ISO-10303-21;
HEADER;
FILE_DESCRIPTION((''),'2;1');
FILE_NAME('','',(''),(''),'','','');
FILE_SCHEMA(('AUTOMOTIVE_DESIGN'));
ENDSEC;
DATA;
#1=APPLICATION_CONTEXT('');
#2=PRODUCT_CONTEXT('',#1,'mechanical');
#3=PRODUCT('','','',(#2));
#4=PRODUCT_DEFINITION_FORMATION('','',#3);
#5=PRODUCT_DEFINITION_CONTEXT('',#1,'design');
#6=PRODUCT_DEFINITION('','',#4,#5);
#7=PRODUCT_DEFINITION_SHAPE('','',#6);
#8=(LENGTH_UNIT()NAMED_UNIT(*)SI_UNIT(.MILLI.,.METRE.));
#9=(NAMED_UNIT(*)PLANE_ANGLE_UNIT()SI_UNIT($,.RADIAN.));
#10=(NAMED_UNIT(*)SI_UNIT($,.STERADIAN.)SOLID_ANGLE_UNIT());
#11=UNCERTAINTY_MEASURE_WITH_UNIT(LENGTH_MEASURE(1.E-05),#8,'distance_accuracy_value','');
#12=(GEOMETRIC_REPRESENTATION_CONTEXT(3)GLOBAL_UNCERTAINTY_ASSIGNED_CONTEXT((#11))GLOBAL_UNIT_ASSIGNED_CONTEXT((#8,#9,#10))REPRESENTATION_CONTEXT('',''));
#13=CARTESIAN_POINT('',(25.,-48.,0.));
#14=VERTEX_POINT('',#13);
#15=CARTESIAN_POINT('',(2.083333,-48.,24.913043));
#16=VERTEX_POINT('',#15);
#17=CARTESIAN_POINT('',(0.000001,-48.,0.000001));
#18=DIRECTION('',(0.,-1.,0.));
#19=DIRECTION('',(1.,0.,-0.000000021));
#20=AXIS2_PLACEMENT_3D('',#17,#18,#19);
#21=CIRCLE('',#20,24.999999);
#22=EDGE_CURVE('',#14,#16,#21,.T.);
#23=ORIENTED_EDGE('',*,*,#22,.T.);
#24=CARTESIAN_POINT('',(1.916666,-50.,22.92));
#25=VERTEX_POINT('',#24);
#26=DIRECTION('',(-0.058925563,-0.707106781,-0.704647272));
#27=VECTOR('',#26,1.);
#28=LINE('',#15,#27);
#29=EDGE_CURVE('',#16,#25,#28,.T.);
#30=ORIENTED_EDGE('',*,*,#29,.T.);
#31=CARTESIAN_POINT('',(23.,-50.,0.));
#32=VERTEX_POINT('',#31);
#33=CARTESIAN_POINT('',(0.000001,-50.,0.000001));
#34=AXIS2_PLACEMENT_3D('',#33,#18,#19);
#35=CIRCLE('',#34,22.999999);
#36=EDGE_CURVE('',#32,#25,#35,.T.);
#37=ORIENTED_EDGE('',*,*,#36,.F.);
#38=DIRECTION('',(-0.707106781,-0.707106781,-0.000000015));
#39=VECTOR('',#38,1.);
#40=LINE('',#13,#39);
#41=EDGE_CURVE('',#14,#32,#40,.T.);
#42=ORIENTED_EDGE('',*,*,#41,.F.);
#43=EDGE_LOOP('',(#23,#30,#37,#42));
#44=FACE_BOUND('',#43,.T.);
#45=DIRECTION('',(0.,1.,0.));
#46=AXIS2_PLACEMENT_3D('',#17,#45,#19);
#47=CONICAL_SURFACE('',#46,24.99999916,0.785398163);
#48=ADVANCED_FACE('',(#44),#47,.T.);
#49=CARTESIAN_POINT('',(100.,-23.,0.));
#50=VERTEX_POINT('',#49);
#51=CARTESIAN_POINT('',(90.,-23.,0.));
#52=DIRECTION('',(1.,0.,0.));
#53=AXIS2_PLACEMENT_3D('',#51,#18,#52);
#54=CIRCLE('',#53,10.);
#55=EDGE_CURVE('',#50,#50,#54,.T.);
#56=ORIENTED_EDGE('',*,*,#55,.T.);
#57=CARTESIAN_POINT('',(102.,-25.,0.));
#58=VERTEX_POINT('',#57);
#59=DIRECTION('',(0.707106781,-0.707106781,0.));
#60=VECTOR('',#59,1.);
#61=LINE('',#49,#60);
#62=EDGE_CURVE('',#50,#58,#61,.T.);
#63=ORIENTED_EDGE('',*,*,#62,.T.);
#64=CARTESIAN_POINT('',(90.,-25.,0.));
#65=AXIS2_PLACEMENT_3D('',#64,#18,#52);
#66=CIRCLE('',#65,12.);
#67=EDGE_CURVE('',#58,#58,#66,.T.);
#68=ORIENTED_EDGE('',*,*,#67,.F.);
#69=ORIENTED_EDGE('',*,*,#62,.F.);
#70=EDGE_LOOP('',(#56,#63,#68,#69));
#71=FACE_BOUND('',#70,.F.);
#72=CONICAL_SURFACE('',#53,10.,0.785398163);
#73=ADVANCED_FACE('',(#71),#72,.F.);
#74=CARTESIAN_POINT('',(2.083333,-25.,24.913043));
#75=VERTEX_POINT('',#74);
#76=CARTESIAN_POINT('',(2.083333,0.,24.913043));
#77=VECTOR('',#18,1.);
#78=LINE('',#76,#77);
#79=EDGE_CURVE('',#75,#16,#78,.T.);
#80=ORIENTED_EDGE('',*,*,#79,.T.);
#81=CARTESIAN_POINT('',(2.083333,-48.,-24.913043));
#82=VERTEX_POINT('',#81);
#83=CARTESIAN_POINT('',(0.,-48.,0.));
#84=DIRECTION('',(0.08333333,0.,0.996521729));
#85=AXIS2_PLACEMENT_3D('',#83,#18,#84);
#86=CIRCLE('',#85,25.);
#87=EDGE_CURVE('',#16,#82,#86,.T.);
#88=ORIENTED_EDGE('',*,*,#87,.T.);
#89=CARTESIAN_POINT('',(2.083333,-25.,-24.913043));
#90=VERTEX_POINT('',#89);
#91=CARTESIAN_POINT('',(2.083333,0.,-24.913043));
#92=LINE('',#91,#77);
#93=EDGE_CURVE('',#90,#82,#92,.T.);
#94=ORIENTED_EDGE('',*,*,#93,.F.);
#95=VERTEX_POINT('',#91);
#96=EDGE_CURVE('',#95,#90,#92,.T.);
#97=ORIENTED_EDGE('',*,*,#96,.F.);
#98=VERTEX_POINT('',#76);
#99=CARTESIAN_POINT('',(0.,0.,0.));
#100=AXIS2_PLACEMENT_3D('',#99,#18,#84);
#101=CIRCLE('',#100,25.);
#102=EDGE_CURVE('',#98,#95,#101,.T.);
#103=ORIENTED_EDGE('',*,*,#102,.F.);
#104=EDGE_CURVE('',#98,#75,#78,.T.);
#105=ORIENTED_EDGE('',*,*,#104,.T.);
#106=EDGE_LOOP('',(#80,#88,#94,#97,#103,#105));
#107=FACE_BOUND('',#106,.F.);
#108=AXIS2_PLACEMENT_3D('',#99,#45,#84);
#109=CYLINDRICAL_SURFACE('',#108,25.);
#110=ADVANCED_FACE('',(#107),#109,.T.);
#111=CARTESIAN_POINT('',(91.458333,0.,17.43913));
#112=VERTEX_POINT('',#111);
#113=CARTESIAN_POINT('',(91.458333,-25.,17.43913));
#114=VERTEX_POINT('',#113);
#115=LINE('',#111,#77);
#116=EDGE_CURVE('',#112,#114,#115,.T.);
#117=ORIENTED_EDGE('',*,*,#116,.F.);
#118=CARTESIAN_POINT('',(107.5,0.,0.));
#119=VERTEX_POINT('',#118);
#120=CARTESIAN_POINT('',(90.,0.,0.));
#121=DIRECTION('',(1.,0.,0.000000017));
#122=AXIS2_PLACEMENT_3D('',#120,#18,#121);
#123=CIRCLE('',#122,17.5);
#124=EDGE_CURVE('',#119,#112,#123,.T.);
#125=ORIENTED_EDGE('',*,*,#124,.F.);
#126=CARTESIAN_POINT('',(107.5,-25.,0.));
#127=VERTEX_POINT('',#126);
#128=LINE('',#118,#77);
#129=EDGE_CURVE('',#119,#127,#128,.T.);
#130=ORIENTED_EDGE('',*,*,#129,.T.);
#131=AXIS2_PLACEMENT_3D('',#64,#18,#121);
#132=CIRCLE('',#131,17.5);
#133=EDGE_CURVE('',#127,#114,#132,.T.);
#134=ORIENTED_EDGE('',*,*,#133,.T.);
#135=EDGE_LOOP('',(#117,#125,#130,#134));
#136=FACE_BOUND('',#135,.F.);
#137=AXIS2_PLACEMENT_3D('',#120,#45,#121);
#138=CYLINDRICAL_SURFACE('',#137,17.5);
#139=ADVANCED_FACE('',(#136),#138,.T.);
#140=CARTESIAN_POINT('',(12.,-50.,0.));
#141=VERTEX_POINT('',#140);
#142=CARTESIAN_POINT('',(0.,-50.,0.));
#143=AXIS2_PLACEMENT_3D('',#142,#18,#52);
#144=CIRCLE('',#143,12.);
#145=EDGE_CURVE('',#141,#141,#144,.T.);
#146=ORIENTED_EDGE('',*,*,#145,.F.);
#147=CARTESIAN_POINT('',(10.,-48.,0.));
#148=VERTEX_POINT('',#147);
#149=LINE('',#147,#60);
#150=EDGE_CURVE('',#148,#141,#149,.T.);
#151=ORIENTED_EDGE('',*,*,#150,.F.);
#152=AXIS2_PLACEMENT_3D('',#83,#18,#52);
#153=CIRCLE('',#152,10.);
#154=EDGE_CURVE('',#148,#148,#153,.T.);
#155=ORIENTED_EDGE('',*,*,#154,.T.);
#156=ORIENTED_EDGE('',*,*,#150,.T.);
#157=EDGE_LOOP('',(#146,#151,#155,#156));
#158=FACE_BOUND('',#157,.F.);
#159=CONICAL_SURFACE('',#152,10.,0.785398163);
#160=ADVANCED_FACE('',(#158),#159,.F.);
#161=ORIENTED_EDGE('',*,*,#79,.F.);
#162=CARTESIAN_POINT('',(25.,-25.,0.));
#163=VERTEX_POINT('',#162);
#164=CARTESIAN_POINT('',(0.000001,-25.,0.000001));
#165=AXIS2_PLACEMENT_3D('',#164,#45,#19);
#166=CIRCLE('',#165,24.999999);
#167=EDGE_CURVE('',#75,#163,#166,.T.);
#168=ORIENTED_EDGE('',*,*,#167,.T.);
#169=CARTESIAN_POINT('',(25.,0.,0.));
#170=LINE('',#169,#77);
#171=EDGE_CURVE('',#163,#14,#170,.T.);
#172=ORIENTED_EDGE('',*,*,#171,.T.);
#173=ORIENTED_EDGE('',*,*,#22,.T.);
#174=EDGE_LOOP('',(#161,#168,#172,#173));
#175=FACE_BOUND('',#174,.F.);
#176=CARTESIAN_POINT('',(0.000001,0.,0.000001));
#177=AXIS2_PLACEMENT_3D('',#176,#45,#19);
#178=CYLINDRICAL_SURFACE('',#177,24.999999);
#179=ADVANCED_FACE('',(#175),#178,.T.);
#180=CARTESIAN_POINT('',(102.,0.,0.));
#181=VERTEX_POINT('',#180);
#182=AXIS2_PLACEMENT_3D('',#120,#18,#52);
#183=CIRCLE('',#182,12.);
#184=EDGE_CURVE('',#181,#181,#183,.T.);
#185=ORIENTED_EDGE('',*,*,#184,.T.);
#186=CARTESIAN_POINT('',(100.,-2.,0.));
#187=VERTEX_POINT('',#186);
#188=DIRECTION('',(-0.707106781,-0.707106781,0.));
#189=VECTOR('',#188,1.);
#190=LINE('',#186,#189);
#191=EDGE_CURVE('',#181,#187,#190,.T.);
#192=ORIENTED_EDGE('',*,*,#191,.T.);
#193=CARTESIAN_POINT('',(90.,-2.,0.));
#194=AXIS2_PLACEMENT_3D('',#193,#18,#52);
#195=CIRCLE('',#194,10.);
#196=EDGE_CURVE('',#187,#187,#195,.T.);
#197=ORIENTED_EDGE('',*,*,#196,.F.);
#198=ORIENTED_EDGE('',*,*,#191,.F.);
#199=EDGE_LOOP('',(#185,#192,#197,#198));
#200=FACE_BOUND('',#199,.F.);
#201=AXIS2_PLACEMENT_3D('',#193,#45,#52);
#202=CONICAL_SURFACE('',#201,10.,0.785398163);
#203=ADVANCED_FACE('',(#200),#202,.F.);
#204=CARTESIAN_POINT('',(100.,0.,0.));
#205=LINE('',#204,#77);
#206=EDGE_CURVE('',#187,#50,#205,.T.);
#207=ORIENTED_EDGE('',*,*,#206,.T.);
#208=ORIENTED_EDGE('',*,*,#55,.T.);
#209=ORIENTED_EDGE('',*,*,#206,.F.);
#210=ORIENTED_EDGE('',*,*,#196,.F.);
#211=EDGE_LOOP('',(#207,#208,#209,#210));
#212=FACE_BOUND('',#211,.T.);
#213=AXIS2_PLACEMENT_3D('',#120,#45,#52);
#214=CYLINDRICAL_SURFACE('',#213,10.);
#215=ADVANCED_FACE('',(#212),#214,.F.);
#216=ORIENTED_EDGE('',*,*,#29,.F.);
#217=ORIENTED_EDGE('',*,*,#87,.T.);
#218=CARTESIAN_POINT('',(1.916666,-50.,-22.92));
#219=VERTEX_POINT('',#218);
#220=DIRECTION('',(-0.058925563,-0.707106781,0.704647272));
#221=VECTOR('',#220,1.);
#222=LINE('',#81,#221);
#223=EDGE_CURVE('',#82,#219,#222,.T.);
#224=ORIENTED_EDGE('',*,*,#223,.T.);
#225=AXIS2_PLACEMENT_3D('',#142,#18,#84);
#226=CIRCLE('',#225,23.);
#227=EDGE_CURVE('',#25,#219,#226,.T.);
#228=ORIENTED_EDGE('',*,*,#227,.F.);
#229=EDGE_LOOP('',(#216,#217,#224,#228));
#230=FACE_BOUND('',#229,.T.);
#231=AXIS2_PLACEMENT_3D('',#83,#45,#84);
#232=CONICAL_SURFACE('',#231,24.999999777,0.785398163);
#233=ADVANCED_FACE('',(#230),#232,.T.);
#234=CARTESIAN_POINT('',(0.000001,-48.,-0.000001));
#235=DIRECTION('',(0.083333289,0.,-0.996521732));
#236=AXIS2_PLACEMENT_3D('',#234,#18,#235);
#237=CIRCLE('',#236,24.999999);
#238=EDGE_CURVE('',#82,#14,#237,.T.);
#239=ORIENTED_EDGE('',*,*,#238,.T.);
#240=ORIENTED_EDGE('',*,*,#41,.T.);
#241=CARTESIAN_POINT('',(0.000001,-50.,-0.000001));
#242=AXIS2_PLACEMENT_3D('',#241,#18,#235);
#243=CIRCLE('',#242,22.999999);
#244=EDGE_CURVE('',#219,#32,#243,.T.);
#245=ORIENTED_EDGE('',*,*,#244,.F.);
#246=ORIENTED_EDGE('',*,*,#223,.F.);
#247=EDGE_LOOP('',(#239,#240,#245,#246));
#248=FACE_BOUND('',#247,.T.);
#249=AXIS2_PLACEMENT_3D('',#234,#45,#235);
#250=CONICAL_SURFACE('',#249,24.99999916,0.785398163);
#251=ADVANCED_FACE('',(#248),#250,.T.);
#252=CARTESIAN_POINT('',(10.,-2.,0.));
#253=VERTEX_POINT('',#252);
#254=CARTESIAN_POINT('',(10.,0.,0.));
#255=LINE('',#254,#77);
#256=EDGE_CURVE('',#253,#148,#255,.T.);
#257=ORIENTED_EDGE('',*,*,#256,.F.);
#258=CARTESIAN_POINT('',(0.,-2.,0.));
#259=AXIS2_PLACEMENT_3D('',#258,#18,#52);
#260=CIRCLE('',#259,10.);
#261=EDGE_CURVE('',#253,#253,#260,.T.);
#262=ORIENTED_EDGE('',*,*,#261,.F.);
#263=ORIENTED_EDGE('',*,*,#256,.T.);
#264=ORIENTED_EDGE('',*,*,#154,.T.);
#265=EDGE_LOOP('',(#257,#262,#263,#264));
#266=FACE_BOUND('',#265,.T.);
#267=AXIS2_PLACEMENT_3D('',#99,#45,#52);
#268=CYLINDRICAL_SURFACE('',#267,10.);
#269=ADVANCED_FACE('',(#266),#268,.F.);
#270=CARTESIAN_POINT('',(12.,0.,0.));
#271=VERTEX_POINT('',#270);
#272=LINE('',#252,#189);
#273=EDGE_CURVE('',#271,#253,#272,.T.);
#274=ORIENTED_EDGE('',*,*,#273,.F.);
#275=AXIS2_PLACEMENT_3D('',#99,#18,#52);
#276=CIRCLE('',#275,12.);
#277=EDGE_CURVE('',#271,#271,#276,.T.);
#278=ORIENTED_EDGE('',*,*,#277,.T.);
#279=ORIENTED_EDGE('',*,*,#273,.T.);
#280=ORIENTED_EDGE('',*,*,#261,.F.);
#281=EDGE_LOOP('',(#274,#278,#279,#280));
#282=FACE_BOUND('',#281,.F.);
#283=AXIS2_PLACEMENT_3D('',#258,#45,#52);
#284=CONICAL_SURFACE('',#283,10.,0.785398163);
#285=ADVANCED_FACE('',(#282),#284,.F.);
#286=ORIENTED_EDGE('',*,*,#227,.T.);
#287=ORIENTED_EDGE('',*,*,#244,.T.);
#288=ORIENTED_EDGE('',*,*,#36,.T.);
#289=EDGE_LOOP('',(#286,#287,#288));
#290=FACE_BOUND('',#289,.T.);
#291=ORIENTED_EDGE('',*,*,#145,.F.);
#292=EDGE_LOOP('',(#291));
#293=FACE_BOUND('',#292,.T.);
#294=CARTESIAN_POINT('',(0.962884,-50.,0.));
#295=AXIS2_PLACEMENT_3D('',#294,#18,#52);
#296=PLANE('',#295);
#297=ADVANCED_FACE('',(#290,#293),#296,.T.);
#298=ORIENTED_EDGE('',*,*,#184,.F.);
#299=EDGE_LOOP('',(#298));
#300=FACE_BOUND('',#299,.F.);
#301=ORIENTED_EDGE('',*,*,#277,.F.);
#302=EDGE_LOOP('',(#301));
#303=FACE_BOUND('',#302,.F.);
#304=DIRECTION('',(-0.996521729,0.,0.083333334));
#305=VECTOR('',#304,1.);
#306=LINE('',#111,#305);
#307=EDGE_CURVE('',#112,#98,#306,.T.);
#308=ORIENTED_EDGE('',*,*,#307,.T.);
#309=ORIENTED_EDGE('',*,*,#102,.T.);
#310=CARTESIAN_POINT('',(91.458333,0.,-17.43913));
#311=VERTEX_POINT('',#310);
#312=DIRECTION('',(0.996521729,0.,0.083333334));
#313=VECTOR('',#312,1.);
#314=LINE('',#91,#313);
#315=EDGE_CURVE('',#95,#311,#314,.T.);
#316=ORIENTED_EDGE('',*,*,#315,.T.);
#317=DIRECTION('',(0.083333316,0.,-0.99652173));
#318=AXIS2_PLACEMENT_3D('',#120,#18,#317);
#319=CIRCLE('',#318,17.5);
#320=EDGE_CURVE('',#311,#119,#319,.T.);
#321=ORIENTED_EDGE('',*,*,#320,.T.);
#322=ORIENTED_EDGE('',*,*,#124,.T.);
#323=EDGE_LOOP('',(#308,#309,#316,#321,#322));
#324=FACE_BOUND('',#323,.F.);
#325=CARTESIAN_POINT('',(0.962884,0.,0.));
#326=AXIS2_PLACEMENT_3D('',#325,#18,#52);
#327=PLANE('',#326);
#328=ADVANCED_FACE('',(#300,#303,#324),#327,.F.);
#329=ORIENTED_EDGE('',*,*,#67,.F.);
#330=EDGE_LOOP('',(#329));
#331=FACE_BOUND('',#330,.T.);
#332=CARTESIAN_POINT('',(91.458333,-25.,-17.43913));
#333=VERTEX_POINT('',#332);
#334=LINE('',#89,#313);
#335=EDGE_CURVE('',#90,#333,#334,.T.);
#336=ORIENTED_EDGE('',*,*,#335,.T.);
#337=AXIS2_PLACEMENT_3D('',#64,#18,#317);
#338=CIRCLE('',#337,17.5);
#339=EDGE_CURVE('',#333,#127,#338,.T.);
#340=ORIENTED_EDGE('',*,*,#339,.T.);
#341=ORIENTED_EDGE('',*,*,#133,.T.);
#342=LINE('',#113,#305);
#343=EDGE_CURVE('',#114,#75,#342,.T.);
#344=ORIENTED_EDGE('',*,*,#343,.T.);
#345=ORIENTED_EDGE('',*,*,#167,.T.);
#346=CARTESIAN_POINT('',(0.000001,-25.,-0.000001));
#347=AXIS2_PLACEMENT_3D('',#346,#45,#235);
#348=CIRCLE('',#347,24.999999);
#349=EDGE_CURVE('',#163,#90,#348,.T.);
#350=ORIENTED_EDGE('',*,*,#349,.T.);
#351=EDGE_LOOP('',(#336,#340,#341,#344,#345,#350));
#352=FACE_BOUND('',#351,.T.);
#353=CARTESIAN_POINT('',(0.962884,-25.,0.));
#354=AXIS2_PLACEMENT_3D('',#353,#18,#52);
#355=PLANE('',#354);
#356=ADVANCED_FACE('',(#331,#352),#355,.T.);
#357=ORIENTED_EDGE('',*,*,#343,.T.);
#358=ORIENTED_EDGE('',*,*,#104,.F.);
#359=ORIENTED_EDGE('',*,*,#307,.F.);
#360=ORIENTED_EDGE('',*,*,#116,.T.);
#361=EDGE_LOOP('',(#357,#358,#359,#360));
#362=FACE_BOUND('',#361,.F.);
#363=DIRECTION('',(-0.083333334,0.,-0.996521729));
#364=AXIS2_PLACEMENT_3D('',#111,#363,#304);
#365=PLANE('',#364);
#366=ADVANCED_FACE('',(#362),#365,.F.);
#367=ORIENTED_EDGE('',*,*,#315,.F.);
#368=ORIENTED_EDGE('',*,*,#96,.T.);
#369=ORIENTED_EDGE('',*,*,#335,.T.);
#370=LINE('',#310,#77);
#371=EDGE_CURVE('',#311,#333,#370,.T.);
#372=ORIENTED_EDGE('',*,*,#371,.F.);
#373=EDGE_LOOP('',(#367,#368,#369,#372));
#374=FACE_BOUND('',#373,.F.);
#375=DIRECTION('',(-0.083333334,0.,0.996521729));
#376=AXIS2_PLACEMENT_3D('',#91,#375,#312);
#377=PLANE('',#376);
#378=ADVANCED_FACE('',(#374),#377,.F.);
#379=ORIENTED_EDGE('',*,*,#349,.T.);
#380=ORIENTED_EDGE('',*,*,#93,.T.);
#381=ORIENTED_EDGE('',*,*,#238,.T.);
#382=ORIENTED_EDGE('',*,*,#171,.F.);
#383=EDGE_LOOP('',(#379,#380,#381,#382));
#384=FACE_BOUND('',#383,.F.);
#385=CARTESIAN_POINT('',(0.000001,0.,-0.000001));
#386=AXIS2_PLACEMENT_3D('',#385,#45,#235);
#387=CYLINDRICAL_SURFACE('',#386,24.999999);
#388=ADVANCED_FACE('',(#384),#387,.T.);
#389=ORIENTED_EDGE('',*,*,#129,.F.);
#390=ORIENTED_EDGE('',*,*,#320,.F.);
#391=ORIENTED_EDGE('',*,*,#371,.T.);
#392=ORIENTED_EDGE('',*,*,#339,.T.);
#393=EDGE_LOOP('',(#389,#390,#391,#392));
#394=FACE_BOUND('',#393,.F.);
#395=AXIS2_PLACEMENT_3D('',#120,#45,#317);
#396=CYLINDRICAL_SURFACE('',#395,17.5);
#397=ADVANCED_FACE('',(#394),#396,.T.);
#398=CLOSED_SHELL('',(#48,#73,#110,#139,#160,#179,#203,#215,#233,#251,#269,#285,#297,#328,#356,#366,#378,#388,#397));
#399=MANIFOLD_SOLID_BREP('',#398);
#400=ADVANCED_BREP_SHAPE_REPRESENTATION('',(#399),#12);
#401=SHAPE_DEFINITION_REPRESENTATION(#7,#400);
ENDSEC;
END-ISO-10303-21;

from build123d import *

# Parameters (mm, degrees)
F0_R     = 10
F1_DEPTH = 25
F2_DEPTH = 50
F3_SIZE  = 2
F4_SIZE  = 2


with BuildPart() as f1:
    # F0 (on Front) → F1 (new body)
    with BuildSketch(Plane.XZ):
        with BuildLine():
            ThreePointArc((2.083333, -24.913043), (18.399502, -16.92508), (25, 0))
            ThreePointArc((25, 0), (18.399502, 16.92508), (2.083333, 24.913043))
            ThreePointArc((2.083333, 24.913043), (-25, 0), (2.083333, -24.913043))
        make_face()
        Circle(F0_R, mode=Mode.SUBTRACT)
        with BuildLine():
            ThreePointArc((2.083333, 24.913043), (18.399502, 16.92508), (25, 0))
            ThreePointArc((25, 0), (18.399502, -16.92508), (2.083333, -24.913043))
            Line((2.083333, -24.913043), (91.458333, -17.43913))
            ThreePointArc((91.458333, -17.43913), (72.5, 0), (91.458333, 17.43913))
            Line((91.458333, 17.43913), (2.083333, 24.913043))
        make_face()
        with BuildLine():
            ThreePointArc((107.5, 0), (102.879651, 11.847556), (91.458333, 17.43913))
            ThreePointArc((91.458333, 17.43913), (72.5, 0), (91.458333, -17.43913))
            ThreePointArc((91.458333, -17.43913), (102.879651, -11.847556), (107.5, 0))
        make_face()
        with Locations((90, 0)):
            Circle(F0_R, mode=Mode.SUBTRACT)
    extrude(amount=F1_DEPTH)

    # F0 (on Front) → F2 (join)
    with BuildSketch(Plane.XZ):
        with BuildLine():
            ThreePointArc((2.083333, -24.913043), (18.399502, -16.92508), (25, 0))
            ThreePointArc((25, 0), (18.399502, 16.92508), (2.083333, 24.913043))
            ThreePointArc((2.083333, 24.913043), (-25, 0), (2.083333, -24.913043))
        make_face()
        Circle(F0_R, mode=Mode.SUBTRACT)
    extrude(amount=F2_DEPTH)

    # F3
    f3_edges = [f1.edges().sort_by_distance(p)[0] for p in [
        (-2.083333, -50, 24.913043),
        (-10, -50, 0),
        (80, -25, 0),
    ]]
    chamfer(f3_edges, length=F3_SIZE)

    # F4
    f4_edges = [f1.edges().sort_by_distance(p)[0] for p in [
        (-10, 0, 0),
        (80, 0, 0),
    ]]
    chamfer(f4_edges, length=F4_SIZE)


solid = f1.part
